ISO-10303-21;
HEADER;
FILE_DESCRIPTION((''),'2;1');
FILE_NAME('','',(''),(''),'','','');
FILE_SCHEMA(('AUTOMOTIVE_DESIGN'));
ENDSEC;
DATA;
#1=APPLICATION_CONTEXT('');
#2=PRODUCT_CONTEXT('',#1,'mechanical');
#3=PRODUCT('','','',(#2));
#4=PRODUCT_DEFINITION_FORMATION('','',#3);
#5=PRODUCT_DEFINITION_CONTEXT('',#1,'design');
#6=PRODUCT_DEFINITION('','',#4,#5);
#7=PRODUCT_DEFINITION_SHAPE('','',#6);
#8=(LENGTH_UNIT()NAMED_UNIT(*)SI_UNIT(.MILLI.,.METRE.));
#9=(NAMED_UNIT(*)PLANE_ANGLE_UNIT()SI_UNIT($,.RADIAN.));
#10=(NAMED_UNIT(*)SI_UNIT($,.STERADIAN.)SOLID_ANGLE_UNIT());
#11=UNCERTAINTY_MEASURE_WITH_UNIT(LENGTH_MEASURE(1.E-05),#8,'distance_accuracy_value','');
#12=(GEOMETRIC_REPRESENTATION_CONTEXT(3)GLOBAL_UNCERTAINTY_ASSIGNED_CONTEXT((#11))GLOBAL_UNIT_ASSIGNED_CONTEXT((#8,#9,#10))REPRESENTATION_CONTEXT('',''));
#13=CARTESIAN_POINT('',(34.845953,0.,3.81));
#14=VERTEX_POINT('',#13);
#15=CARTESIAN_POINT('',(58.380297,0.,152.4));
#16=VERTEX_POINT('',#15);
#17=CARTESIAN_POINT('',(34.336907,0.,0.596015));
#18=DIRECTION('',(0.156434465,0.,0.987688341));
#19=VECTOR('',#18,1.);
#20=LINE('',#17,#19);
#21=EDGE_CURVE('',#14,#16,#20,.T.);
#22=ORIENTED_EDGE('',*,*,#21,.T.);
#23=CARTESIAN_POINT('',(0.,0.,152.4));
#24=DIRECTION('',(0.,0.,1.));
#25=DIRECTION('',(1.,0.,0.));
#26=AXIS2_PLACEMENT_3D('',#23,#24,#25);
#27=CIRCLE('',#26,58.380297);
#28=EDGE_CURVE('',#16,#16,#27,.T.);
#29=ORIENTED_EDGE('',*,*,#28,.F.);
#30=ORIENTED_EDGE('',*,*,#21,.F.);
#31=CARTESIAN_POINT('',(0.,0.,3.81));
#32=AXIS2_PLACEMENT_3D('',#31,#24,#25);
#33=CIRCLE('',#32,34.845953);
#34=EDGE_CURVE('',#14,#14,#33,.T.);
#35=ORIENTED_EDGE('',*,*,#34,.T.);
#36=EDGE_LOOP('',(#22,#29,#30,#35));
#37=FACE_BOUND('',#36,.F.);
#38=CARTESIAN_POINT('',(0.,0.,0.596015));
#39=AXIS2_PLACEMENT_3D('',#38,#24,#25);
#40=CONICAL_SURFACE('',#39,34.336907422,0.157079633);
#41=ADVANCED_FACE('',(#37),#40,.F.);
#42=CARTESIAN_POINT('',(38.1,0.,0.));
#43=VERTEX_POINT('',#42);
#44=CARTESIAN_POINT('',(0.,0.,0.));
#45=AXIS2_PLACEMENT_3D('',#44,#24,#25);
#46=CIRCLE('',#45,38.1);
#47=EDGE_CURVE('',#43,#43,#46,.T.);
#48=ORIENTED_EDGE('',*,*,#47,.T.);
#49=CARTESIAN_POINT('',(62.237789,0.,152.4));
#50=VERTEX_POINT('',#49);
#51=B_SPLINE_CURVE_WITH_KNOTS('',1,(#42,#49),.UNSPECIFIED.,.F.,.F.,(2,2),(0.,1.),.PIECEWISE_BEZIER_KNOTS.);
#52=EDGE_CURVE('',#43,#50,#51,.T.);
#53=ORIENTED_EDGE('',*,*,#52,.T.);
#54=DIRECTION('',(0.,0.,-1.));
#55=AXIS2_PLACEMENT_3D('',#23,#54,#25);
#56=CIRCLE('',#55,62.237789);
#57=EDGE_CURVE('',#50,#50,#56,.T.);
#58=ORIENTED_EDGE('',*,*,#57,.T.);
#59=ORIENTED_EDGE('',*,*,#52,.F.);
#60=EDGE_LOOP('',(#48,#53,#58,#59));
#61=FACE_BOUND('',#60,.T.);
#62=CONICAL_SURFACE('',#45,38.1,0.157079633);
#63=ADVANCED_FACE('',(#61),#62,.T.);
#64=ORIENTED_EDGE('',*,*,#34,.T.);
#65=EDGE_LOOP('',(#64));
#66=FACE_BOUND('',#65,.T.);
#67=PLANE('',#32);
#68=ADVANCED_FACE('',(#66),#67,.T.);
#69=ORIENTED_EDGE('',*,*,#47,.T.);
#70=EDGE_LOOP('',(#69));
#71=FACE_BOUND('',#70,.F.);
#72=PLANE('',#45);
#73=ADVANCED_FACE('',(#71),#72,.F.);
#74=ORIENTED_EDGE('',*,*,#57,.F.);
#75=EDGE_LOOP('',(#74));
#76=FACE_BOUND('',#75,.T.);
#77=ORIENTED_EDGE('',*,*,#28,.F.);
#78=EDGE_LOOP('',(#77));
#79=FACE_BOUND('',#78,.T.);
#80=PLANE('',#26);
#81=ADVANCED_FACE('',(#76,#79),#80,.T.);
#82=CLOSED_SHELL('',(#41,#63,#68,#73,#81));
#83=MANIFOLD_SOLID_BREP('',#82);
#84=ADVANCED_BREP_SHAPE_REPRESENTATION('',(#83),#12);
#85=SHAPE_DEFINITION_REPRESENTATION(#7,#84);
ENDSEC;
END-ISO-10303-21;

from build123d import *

# Parameters (mm, degrees)
F0_R     = 38.1
F1_DEPTH = 152.4
F1_TAPER = -9
F2_T     = -3.81


with BuildPart() as f1:
    # F0 (on Top) → F1 (new body)
    with BuildSketch(Plane.XY):
        Circle(F0_R)
    extrude(amount=F1_DEPTH, taper=F1_TAPER)

    # F2
    f2_openings = [f1.faces().sort_by_distance(p)[0] for p in [
        (0, 0, 152.4),
    ]]
    offset(amount=F2_T, openings=f2_openings, kind=Kind.INTERSECTION)


solid = f1.part
